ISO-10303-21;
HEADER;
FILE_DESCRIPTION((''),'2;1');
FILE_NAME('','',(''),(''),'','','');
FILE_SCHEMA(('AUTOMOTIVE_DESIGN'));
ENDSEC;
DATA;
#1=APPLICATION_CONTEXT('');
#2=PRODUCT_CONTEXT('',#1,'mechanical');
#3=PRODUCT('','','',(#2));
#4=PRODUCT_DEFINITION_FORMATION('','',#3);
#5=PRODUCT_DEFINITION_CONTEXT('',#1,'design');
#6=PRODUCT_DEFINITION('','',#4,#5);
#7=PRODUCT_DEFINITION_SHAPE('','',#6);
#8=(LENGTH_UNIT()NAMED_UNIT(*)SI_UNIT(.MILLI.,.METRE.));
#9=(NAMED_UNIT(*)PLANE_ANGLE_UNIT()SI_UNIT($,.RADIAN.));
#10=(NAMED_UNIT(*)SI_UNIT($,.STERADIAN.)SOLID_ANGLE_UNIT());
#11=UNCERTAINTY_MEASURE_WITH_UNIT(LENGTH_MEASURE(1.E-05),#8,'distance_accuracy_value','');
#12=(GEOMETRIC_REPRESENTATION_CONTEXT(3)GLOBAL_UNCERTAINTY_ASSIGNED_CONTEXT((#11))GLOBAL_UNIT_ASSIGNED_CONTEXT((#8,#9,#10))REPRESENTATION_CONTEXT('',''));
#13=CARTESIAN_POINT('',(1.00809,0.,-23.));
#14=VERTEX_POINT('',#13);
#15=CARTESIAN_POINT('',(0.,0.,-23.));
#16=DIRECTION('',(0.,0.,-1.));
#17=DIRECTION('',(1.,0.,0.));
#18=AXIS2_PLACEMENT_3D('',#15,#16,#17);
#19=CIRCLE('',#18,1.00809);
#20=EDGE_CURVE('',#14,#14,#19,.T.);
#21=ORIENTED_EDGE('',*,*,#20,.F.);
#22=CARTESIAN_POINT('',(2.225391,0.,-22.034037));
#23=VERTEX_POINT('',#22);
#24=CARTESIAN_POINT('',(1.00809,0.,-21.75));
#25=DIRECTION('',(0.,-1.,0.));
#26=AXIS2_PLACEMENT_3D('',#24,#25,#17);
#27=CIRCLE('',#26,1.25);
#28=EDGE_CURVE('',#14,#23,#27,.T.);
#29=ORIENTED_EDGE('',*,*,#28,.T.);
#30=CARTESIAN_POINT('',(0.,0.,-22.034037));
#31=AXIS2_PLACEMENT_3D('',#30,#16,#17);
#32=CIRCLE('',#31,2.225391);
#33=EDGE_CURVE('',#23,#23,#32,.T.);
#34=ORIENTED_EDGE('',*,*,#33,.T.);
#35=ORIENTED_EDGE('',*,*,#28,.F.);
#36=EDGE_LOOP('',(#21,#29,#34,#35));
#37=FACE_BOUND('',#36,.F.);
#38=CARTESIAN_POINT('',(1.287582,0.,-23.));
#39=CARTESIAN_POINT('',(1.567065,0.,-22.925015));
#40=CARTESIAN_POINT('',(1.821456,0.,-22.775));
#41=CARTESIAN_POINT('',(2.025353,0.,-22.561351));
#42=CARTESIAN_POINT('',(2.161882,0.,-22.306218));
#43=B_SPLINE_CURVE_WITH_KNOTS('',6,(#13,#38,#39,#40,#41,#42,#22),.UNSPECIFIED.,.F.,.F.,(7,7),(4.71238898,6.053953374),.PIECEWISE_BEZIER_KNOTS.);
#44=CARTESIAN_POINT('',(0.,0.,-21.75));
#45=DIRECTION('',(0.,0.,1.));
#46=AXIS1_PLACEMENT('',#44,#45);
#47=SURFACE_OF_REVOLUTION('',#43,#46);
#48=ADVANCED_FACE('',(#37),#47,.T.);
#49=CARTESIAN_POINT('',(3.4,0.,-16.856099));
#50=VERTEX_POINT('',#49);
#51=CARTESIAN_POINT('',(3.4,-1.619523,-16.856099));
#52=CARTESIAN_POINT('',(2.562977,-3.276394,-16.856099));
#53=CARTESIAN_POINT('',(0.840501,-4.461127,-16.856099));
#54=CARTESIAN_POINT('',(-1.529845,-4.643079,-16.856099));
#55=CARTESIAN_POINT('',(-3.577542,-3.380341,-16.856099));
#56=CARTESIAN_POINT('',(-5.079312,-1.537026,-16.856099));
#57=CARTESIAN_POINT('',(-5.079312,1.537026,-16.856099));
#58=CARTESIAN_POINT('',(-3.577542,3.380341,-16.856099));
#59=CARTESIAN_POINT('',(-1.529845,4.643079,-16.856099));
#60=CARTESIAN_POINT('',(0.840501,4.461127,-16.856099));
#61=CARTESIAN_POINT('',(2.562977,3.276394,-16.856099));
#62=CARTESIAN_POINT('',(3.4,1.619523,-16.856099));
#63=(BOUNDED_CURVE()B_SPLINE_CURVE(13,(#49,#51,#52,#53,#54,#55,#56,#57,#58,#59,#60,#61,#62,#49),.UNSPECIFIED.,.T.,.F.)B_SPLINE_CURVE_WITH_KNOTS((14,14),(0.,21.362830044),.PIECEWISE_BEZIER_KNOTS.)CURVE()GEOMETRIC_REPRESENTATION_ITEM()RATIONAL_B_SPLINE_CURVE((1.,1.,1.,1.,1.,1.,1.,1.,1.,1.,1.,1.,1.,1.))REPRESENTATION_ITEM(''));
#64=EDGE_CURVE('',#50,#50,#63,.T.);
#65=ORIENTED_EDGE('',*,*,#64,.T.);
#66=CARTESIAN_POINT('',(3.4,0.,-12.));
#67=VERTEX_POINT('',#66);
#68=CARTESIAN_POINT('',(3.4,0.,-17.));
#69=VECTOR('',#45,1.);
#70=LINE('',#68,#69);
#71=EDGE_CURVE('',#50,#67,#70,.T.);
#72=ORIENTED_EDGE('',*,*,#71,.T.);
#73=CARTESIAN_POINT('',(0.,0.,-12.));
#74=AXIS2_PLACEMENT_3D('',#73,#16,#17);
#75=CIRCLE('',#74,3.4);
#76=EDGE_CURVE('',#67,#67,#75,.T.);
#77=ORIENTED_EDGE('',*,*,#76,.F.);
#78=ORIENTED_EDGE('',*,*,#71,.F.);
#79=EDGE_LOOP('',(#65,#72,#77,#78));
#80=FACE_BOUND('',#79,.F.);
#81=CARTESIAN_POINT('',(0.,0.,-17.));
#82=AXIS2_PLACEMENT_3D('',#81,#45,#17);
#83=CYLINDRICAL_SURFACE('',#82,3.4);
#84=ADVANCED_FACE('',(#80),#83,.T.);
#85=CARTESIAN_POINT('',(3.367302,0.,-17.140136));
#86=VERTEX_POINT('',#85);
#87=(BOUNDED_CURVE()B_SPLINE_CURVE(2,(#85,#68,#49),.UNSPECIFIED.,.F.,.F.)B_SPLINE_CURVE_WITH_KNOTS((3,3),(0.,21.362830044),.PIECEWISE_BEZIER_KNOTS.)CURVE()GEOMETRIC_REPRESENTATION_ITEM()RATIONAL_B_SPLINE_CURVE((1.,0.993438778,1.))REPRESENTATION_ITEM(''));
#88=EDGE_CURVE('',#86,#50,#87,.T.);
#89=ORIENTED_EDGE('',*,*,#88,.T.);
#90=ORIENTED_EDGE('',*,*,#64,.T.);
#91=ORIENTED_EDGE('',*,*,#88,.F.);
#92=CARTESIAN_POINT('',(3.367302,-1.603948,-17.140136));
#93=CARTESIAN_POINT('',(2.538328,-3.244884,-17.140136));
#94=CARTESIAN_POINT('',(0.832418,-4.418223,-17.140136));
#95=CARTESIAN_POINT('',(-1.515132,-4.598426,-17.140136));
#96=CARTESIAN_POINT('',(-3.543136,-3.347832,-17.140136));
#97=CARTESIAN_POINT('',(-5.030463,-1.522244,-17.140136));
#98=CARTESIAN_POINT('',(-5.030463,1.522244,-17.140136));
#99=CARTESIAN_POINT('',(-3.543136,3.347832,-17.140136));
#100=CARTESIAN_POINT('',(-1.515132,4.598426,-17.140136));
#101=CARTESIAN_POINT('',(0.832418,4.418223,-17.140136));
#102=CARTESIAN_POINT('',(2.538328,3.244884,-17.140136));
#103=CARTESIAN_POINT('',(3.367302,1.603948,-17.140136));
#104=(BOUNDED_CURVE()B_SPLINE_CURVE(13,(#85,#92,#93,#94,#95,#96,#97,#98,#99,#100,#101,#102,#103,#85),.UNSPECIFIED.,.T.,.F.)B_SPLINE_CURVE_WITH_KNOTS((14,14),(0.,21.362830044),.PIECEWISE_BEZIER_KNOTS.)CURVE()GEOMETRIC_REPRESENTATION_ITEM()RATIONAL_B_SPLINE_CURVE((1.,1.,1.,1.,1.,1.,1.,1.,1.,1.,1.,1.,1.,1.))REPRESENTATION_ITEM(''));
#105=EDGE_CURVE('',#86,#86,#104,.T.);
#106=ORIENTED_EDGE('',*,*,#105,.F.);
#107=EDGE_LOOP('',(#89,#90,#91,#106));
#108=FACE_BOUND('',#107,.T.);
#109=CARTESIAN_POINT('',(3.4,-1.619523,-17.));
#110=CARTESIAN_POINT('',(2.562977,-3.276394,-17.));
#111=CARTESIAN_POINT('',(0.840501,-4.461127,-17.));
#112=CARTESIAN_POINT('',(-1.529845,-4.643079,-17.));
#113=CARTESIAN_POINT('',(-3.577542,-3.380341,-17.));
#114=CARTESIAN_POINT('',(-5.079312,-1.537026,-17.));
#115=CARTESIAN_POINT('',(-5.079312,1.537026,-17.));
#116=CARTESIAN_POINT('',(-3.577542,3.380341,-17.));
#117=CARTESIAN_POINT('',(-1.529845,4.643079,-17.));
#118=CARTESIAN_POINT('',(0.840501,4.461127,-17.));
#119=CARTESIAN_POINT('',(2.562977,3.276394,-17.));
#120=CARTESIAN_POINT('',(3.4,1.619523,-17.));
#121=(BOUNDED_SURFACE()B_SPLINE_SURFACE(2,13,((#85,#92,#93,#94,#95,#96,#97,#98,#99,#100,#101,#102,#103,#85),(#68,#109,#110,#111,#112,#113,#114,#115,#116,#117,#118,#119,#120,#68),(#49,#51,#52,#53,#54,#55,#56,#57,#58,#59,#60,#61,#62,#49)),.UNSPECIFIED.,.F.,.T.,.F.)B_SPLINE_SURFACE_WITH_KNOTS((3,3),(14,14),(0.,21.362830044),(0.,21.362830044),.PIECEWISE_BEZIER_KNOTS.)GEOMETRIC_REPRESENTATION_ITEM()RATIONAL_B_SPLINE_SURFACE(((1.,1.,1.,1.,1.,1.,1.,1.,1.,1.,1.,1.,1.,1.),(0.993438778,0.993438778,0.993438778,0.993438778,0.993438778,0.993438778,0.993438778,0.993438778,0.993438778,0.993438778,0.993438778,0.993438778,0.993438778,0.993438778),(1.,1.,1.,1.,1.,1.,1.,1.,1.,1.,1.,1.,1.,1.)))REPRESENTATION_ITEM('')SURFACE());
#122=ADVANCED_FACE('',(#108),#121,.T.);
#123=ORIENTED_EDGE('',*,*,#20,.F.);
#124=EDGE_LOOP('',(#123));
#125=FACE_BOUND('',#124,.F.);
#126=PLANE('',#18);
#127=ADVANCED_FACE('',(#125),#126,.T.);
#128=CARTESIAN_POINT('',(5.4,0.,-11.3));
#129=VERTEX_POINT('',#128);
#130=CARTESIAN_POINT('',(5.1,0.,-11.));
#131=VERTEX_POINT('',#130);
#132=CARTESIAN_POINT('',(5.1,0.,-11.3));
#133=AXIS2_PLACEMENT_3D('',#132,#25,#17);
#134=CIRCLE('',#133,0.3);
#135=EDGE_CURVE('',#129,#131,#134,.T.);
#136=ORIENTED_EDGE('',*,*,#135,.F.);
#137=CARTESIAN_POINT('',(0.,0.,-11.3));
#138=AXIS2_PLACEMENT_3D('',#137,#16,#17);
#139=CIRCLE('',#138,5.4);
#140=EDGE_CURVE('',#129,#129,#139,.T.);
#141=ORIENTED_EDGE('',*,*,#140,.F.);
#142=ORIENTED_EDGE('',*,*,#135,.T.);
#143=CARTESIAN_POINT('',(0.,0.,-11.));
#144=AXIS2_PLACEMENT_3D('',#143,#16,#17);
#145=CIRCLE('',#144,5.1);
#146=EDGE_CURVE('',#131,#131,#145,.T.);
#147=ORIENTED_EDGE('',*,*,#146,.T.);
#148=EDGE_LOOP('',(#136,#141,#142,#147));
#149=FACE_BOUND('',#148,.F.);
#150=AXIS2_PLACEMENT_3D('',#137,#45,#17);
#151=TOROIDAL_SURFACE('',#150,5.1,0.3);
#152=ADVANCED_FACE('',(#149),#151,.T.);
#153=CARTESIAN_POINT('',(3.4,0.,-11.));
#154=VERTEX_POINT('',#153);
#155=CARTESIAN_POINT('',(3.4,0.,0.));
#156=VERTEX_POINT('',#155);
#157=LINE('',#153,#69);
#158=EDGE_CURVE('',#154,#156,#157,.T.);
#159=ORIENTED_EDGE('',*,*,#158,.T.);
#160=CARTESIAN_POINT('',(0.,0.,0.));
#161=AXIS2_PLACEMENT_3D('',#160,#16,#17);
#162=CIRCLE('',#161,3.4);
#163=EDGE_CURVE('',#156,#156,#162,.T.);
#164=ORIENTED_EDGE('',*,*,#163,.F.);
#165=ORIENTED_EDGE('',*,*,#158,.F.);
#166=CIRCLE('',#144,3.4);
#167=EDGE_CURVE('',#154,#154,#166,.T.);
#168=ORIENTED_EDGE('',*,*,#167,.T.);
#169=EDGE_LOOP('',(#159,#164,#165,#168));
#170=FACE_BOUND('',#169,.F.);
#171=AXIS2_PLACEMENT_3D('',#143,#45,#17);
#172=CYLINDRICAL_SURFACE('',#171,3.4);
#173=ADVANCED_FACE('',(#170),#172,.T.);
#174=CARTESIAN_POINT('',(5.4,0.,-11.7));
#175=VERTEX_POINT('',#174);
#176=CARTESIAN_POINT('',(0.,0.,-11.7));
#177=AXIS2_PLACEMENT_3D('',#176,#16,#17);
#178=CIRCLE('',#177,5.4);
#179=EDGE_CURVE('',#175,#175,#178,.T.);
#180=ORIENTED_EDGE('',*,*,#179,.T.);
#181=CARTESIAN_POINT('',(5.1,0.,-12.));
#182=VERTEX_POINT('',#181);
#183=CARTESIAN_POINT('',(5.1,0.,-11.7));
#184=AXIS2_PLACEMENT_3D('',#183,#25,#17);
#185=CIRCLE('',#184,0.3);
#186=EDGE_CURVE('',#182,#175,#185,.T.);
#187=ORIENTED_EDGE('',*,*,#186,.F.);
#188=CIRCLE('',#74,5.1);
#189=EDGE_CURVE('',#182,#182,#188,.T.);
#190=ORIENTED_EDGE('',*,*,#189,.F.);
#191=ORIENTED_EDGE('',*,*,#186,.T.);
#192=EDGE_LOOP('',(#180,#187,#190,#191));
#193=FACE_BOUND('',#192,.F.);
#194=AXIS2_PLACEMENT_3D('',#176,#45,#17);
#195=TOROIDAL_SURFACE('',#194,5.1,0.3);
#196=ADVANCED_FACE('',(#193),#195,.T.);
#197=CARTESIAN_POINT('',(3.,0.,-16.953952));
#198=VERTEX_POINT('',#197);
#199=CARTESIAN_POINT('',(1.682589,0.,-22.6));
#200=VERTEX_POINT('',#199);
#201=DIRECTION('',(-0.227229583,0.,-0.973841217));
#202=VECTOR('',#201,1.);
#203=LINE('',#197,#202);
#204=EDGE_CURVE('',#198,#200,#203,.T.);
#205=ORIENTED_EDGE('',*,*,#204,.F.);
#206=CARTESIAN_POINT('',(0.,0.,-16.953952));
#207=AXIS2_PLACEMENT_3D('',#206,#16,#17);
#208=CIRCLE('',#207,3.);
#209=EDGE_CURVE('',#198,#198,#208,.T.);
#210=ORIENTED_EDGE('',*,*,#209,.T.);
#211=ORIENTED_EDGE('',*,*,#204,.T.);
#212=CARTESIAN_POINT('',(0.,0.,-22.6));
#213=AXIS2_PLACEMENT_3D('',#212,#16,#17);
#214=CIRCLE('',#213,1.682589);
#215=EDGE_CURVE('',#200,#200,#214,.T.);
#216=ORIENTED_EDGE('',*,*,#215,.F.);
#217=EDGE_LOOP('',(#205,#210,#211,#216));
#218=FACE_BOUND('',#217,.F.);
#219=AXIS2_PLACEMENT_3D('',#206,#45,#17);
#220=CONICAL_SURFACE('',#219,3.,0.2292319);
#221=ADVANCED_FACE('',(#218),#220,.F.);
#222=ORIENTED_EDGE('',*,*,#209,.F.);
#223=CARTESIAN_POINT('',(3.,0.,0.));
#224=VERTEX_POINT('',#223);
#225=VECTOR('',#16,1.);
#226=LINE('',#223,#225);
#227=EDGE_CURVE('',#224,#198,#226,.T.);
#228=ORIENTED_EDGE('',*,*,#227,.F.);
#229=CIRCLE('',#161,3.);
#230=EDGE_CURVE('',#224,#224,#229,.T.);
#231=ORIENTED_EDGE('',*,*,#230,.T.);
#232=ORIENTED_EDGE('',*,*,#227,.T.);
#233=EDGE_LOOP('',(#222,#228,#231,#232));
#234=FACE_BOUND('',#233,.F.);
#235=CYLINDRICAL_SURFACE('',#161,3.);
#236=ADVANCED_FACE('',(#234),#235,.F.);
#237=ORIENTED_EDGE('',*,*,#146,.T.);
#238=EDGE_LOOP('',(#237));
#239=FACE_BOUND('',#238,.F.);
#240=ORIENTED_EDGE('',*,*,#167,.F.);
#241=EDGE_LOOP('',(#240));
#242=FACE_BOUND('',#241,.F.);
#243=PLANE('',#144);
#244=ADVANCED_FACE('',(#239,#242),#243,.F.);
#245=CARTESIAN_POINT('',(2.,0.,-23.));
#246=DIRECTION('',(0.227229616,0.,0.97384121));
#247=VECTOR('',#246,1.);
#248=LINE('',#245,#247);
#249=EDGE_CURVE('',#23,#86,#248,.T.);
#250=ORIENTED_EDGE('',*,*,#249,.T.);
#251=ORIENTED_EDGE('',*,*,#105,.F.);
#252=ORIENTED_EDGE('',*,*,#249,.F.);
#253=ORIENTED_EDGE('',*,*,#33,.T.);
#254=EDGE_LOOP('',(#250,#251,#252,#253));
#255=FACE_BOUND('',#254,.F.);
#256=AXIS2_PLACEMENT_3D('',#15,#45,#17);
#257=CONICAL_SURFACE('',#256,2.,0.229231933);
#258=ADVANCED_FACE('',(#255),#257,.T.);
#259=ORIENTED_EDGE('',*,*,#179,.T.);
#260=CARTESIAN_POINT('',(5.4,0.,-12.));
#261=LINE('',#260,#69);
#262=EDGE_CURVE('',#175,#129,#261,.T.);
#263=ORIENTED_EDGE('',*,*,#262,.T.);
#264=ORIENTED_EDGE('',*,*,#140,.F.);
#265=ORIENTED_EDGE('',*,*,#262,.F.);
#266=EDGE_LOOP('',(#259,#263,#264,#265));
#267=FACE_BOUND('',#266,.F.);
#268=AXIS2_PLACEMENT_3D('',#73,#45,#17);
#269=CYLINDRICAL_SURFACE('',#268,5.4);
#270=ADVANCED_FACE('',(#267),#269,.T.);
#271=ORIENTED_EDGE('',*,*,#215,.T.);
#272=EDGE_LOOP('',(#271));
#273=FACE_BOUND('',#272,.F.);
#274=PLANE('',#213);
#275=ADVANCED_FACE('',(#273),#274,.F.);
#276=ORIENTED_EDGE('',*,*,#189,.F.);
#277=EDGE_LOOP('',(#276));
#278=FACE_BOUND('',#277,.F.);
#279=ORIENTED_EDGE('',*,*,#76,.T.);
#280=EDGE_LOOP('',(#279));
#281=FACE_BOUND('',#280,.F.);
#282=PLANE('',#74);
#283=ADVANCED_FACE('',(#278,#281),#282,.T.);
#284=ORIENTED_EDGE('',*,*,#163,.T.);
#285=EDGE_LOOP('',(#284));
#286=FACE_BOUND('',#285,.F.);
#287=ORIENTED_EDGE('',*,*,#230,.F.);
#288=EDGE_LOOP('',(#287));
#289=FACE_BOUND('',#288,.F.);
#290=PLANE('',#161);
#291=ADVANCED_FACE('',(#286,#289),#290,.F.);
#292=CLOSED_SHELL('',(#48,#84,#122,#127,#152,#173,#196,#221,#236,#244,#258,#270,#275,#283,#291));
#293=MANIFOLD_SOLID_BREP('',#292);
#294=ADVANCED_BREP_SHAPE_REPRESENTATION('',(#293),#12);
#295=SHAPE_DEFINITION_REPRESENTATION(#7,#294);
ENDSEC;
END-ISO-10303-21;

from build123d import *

# Parameters (mm, degrees)
F2_R = 1.25
F3_R = 0.3


with BuildPart() as f1:
    # F0 (on Front) → F1 (revolve)
    with BuildSketch(Plane.XZ):
        Polygon((0, -22.6), (0, -23), (2, -23), (3.4, -17), (3.4, -12), (5.4, -12), (5.4, -11), (3.4, -11), (3.4, 0), (3, 0), (3, -16.953952), (1.682589, -22.6), align=None)
    revolve(axis=Axis((0, 0, -11.5), (0, 0, -1)))

    # F2
    f2_edges = [f1.edges().sort_by_distance(p)[0] for p in [
        (-2, 0, -23),
        (-3.4, 0, -17),
    ]]
    fillet(f2_edges, radius=F2_R)

    # F3
    f3_edges = [f1.edges().sort_by_distance(p)[0] for p in [
        (-5.4, 0, -11),
        (-5.4, 0, -12),
    ]]
    fillet(f3_edges, radius=F3_R)


solid = f1.part
